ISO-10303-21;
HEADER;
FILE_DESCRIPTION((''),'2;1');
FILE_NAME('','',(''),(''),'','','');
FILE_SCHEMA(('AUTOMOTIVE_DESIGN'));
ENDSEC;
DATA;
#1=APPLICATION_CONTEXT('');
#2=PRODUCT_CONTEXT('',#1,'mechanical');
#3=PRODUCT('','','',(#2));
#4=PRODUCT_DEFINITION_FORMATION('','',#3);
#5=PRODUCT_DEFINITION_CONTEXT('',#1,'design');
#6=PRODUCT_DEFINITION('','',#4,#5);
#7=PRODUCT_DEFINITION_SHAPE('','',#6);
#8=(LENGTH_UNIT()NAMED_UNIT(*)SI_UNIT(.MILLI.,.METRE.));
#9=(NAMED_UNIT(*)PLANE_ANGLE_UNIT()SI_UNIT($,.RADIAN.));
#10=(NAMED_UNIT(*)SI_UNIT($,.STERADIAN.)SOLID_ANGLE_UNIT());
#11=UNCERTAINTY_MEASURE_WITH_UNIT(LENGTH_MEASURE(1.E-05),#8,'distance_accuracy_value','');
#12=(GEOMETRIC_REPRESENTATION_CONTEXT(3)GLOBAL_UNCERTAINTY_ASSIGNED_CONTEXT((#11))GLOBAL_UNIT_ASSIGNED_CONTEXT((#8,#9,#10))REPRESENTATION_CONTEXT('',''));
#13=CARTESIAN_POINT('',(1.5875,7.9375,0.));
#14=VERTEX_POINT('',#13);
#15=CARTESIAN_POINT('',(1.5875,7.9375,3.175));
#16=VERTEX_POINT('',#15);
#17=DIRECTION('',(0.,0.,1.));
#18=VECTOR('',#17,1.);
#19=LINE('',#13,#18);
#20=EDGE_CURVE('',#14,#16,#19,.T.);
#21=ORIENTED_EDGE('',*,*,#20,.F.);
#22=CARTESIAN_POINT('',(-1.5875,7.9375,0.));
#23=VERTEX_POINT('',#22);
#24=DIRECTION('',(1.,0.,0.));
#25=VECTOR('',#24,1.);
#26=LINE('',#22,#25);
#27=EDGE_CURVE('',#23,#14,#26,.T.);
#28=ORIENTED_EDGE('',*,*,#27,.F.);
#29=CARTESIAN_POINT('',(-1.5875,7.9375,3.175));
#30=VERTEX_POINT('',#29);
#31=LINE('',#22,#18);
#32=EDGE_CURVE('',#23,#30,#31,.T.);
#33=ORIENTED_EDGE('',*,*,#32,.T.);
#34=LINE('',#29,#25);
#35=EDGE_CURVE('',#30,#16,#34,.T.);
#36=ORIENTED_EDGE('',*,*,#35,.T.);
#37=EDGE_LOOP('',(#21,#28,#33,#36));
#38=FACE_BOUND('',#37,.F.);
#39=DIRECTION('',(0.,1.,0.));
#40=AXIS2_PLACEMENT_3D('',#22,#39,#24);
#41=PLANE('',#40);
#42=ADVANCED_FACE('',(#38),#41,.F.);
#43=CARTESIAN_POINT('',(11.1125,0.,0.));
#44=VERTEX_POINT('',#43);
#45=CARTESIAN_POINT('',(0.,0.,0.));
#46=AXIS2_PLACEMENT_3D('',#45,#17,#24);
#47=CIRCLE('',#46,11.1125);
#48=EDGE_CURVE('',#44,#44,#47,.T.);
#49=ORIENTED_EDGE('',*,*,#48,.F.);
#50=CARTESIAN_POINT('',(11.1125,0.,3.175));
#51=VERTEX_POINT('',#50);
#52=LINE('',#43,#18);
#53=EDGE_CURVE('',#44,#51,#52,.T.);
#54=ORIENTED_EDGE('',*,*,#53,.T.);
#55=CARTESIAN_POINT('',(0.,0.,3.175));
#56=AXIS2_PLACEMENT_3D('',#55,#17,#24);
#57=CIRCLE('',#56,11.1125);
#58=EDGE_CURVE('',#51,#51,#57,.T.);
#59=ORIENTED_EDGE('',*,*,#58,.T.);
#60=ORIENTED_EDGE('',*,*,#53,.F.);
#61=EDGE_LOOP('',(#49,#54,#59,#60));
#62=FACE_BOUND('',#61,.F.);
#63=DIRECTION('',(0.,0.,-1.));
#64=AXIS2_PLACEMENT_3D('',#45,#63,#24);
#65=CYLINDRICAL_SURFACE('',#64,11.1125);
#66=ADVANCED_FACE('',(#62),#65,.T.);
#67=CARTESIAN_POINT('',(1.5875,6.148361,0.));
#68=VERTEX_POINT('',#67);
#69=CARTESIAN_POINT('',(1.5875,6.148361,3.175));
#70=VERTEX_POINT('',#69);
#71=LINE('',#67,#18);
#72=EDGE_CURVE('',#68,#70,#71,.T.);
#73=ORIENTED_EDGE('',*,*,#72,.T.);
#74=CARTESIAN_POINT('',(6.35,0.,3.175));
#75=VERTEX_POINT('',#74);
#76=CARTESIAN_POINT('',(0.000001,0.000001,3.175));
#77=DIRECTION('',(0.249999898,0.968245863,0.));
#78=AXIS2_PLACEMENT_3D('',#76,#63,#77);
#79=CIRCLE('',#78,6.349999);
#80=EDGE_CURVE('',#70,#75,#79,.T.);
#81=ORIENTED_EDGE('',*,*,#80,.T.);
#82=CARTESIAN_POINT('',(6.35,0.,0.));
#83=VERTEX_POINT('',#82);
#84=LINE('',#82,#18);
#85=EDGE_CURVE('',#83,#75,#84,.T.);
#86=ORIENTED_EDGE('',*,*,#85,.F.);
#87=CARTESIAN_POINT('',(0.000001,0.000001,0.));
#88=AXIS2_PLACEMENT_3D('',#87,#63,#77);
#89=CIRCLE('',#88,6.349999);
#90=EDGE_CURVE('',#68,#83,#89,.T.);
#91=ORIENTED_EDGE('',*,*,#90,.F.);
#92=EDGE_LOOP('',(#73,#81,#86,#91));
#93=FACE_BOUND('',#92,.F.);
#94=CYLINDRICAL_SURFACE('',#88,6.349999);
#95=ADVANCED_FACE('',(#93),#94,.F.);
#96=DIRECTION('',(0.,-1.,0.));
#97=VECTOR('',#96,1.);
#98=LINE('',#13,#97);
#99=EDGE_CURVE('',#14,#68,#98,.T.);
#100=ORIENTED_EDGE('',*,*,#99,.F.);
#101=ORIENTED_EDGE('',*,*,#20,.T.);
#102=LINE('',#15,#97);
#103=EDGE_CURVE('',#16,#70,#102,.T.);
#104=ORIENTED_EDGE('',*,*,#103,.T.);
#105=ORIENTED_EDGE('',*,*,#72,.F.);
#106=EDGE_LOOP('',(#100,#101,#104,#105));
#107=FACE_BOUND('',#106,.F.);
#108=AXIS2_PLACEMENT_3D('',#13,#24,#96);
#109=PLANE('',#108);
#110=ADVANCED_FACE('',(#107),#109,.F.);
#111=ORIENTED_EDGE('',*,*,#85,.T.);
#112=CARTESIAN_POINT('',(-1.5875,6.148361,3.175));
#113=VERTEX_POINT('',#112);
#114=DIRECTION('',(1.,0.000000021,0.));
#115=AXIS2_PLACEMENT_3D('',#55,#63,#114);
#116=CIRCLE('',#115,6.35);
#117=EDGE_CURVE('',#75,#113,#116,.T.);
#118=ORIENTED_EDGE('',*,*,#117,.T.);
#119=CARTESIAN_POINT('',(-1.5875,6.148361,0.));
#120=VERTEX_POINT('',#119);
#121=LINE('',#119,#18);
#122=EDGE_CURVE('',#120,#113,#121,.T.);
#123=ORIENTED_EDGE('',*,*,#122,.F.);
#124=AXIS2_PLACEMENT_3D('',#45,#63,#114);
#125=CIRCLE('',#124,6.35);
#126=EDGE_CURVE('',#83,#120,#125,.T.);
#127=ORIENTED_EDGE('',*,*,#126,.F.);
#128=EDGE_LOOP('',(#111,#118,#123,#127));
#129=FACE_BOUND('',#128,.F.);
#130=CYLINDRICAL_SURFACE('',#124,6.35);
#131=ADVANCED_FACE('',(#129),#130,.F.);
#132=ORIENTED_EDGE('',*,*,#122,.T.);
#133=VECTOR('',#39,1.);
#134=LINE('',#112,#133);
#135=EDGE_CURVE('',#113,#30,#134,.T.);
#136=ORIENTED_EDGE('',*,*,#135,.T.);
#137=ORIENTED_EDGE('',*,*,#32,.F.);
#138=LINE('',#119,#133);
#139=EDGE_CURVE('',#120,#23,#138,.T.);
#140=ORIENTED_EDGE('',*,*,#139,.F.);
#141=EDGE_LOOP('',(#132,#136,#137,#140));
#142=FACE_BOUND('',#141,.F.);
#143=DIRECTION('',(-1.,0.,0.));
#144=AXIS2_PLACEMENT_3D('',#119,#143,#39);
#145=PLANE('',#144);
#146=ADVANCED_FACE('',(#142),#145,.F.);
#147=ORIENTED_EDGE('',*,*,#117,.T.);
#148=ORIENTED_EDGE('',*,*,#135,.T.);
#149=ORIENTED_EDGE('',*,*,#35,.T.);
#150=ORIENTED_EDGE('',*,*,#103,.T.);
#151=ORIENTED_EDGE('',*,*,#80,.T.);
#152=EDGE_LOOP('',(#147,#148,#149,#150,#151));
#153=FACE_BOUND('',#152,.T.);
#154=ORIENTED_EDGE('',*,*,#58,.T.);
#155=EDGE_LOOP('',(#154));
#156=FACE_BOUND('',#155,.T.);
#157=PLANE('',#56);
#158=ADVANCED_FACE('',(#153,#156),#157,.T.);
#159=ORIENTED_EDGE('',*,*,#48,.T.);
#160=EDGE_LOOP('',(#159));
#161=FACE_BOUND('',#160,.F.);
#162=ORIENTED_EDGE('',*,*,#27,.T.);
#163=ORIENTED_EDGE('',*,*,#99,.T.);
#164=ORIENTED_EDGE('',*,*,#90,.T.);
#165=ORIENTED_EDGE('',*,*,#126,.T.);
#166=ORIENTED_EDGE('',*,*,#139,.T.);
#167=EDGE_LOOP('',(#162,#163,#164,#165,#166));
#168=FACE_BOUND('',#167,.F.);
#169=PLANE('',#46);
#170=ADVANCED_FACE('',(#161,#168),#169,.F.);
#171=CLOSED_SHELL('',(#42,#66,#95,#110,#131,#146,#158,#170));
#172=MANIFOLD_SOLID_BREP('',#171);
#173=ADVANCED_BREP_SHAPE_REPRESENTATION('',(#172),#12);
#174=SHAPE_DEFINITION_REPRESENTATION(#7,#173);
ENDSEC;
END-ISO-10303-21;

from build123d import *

# Parameters (mm, degrees)
F0_R     = 11.1125
F1_DEPTH = 3.175


with BuildPart() as f1:
    # F0 (on Top) → F1 (new body)
    with BuildSketch(Plane.XY):
        Circle(F0_R)
        with BuildLine():
            ThreePointArc((1.5875, 6.148361), (5.020116, 3.888565), (6.35, 0))
            ThreePointArc((6.35, 0), (-3.888565, -5.020116), (-1.5875, 6.148361))
            Line((-1.5875, 6.148361), (-1.5875, 6.35))
            Line((-1.5875, 6.35), (-1.5875, 7.9375))
            Line((-1.5875, 7.9375), (1.5875, 7.9375))
            Line((1.5875, 7.9375), (1.5875, 6.35))
            Line((1.5875, 6.35), (1.5875, 6.148361))
        make_face(mode=Mode.SUBTRACT)
    extrude(amount=F1_DEPTH)


solid = f1.part
